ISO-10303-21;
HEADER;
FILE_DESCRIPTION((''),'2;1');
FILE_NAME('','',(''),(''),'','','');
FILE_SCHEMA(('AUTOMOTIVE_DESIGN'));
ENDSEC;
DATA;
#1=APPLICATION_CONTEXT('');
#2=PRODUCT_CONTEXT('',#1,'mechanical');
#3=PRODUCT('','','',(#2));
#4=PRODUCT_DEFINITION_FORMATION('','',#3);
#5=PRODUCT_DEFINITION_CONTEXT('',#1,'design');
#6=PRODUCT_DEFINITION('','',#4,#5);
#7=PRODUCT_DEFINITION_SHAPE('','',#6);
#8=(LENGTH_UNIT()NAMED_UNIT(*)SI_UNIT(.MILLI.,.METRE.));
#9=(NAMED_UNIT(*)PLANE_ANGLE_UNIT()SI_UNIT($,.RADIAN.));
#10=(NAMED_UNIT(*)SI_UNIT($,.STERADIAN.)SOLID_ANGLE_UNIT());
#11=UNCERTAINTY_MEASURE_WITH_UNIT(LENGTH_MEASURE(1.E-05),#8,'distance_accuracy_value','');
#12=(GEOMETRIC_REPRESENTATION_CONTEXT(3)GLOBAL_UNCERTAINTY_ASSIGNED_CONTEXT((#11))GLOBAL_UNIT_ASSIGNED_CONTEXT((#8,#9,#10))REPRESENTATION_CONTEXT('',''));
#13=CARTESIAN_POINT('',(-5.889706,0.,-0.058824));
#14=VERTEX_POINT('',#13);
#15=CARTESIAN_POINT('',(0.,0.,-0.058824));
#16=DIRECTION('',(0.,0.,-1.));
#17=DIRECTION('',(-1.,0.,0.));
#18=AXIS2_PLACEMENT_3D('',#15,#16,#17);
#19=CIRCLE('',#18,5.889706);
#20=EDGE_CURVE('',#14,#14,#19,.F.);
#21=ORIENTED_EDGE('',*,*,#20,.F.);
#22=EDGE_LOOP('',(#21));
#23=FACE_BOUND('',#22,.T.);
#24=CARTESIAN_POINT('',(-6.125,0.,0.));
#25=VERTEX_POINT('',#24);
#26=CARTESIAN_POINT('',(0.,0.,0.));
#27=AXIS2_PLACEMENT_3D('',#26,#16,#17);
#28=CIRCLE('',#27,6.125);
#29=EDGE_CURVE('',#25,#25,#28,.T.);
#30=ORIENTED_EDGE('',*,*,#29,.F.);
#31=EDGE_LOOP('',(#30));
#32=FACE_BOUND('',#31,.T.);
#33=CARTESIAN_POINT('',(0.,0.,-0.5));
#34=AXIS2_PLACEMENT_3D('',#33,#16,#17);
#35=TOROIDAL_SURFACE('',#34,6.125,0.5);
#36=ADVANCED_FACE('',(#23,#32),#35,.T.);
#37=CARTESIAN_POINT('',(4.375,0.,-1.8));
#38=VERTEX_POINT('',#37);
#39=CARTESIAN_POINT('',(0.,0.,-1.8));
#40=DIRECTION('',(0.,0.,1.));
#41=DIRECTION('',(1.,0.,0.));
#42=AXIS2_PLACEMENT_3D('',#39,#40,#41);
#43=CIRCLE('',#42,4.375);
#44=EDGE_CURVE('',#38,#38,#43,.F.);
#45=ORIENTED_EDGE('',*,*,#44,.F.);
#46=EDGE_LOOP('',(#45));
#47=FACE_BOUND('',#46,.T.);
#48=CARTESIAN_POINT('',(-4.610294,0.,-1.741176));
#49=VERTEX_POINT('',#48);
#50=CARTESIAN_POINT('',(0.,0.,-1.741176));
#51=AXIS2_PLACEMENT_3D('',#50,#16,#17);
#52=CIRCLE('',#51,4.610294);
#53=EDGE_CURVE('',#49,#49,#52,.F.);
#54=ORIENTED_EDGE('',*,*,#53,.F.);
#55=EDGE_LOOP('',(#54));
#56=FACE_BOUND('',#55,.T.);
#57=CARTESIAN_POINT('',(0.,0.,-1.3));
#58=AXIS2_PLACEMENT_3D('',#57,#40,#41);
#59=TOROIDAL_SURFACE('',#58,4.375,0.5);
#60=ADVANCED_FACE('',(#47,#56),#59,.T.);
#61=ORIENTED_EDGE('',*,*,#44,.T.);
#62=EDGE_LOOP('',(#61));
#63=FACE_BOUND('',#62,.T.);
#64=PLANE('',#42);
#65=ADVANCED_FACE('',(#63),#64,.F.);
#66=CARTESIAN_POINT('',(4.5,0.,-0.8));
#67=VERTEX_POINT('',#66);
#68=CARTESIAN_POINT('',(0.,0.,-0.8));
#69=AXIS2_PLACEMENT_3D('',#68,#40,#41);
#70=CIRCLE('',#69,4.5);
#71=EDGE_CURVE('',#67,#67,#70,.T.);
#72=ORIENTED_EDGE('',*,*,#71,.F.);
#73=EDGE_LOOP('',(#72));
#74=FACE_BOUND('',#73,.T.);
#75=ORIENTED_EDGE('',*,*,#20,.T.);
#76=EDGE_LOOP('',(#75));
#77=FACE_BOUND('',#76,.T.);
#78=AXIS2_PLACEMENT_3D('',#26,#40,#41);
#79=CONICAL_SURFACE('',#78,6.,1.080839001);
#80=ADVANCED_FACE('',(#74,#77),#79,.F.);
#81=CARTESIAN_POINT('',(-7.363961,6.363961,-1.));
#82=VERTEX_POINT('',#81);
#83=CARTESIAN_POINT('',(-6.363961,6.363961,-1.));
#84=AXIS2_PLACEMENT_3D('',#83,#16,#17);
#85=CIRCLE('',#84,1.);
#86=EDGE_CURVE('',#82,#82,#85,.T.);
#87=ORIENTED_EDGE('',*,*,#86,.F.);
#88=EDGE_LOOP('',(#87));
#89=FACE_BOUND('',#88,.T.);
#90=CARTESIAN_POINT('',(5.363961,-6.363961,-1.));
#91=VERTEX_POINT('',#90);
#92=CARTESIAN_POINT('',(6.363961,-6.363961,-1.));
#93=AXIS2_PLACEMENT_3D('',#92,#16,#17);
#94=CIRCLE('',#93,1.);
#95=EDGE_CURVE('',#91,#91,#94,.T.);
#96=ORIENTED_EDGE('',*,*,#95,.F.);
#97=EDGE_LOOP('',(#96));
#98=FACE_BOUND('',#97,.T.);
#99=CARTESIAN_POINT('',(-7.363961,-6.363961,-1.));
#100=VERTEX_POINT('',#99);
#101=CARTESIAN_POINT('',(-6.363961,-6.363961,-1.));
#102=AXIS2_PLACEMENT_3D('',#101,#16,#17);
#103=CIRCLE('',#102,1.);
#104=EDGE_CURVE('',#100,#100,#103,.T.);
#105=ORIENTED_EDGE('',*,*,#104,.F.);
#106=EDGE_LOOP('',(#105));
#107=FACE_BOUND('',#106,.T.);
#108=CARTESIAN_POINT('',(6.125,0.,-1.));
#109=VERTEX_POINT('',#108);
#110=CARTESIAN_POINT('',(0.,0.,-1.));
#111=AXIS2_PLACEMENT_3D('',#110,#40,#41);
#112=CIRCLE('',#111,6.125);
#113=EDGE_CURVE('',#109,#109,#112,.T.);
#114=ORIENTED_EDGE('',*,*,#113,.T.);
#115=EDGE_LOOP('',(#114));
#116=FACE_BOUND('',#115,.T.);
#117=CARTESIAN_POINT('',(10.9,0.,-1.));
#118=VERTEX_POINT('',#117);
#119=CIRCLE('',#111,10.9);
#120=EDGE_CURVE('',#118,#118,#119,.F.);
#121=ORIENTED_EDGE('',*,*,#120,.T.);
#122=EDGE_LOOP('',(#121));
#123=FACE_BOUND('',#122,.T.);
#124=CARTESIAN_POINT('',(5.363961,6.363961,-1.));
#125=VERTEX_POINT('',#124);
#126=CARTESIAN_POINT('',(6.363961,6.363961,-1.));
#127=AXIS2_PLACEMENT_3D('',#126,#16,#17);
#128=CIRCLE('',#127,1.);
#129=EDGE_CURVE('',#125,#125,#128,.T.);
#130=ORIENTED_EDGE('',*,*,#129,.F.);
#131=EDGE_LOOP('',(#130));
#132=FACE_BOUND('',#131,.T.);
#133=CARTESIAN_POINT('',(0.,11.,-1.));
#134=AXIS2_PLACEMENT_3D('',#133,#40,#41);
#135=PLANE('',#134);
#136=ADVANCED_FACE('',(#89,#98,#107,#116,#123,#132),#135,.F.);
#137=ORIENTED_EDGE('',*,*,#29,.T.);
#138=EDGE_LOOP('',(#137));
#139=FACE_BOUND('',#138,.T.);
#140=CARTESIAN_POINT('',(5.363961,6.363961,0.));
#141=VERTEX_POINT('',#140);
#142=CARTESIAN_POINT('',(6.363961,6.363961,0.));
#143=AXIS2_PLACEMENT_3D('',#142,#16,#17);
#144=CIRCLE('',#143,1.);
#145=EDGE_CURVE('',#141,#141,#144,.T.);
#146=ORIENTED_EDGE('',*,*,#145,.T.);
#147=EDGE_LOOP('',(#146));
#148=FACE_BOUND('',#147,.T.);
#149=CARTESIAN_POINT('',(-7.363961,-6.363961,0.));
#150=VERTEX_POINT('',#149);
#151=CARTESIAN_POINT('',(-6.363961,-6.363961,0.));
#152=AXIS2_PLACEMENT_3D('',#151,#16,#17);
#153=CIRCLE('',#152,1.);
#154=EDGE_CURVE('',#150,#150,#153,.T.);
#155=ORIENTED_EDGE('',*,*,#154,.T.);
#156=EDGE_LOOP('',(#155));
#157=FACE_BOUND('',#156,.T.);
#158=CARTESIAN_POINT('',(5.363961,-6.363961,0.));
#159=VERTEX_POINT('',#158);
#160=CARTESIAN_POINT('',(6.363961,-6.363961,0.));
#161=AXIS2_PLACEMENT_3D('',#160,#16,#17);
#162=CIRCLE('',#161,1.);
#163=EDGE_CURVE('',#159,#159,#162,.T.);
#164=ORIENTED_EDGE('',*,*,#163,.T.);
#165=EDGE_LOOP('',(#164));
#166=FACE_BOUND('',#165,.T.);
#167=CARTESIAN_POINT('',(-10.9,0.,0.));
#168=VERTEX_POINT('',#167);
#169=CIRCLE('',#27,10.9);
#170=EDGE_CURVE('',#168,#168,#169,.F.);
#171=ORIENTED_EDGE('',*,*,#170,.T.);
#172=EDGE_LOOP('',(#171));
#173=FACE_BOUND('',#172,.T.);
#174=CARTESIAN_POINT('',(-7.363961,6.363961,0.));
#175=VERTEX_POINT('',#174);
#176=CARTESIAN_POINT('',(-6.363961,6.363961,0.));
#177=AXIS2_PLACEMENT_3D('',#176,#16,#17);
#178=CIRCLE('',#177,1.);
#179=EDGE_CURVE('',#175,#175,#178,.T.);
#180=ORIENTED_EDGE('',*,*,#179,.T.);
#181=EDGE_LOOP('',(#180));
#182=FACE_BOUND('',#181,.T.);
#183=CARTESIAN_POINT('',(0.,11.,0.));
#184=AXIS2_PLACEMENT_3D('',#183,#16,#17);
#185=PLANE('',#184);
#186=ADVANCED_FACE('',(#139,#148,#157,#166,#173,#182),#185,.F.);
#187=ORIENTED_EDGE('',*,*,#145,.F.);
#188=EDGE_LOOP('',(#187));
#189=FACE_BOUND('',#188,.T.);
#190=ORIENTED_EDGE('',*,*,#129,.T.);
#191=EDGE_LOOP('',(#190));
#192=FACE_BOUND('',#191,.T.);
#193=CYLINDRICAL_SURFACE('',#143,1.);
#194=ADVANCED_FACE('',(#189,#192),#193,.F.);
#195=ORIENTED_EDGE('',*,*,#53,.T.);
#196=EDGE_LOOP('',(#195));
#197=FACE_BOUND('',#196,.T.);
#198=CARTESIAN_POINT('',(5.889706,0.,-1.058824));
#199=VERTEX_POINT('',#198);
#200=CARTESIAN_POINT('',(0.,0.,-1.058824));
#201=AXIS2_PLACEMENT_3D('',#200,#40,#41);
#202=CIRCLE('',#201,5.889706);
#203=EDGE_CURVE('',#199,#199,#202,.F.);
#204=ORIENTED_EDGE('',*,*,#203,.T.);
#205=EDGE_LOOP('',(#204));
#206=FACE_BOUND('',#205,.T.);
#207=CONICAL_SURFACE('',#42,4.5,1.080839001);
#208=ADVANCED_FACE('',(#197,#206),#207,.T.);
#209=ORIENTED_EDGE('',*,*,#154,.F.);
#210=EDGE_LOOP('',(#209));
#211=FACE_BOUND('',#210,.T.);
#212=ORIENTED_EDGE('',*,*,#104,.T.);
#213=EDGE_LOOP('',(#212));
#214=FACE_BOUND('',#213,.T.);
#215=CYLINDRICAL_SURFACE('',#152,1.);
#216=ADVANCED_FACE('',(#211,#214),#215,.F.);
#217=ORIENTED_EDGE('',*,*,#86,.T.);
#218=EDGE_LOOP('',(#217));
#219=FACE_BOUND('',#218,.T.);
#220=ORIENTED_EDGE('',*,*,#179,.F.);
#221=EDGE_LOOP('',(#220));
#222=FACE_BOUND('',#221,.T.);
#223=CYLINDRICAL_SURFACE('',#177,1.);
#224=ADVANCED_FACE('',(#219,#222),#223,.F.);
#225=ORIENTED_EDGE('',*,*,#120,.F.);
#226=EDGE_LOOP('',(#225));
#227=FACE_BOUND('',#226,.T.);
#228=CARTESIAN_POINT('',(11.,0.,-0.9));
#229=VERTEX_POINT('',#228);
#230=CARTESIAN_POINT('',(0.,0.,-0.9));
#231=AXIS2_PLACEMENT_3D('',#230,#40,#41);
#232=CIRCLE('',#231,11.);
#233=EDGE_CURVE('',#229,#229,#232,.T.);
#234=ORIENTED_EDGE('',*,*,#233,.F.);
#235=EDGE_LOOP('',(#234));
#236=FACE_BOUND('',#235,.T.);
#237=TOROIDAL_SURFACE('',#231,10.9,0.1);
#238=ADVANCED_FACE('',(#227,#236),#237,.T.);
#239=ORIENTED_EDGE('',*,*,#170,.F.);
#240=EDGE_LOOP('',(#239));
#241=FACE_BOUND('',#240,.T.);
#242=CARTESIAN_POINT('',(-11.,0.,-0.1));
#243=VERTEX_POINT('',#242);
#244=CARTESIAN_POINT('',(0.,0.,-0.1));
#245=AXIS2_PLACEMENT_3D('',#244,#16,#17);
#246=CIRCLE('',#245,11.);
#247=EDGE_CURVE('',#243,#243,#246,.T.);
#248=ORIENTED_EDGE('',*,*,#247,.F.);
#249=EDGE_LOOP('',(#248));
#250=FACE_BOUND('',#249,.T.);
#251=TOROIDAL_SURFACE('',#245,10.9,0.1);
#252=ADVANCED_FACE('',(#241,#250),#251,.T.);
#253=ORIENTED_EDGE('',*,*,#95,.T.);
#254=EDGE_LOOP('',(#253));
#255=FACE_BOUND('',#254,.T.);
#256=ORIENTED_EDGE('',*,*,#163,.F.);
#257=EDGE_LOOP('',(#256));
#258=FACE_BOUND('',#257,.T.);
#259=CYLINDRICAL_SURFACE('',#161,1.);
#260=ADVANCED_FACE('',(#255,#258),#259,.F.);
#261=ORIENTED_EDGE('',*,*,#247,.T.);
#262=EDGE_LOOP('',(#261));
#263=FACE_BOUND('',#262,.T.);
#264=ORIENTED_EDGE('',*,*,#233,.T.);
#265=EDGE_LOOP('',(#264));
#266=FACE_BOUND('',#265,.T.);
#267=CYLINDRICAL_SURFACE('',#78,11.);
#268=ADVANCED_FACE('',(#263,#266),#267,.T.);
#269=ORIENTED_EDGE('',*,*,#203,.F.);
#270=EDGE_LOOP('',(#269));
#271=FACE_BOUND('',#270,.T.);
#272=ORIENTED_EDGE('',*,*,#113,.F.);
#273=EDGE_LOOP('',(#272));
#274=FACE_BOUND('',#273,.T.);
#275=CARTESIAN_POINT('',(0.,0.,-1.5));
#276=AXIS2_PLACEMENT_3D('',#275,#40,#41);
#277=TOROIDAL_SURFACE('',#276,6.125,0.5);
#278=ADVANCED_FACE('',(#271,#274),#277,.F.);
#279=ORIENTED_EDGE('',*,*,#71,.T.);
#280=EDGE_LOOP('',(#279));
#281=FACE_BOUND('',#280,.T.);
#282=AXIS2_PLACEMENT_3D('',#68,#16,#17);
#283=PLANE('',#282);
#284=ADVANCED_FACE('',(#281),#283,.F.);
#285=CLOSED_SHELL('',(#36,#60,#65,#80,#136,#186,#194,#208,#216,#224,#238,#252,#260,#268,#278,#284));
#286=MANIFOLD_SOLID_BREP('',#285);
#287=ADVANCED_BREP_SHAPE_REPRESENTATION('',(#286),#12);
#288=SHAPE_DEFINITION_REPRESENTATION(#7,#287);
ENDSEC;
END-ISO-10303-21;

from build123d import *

# Parameters (mm, degrees)
FILLET1_R          = 0.5
SKETCH2_R          = 1
CUT_EXTRUDE1_DEPTH = 16.588457268
FILLET2_R          = 0.1


with BuildPart() as part:
    # Sketch1 → Revolve1 (revolve)
    with BuildSketch(Plane(origin=(0, 0, 0), x_dir=(0, 0, -1), z_dir=(1, 0, 0)), mode=Mode.PRIVATE) as revolve1_sk:
        Polygon((0, 11), (0, 6), (0.8, 4.5), (0.8, 0), (1.8, 0), (1.8, 4.5), (1, 6), (1, 11), align=None)
    revolve(revolve1_sk.sketch.rotate(Axis((0, 0, 0), (0, 0, -1)), 90), axis=Axis((0, 0, 0), (0, 0, -1)))

    # Fillet1
    fillet1_edges = [part.edges().sort_by_distance(p)[0] for p in [
        (-6, 0, 0),
        (-4.5, 0, -1.8),
        (-6, 0, -1),
    ]]
    fillet(fillet1_edges, radius=FILLET1_R)

    # Sketch2 → Cut-Extrude1 (cut, through all)
    with BuildSketch(Plane(origin=(0, 0, -1), x_dir=(-1, 0, 0), z_dir=(0, 0, -1))):
        with Locations((6.363961031, 6.363961031)):
            Circle(SKETCH2_R)
        with Locations((6.363961031, -6.363961031)):
            Circle(SKETCH2_R)
        with Locations((-6.363961031, -6.363961031)):
            Circle(SKETCH2_R)
        with Locations((-6.363961031, 6.363961031)):
            Circle(SKETCH2_R)
    extrude(amount=-CUT_EXTRUDE1_DEPTH, mode=Mode.SUBTRACT)

    # Fillet2
    fillet2_edges = [part.edges().sort_by_distance(p)[0] for p in [
        (-11, 0, -1),
        (-11, 0, 0),
    ]]
    fillet(fillet2_edges, radius=FILLET2_R)


solid = part.part
